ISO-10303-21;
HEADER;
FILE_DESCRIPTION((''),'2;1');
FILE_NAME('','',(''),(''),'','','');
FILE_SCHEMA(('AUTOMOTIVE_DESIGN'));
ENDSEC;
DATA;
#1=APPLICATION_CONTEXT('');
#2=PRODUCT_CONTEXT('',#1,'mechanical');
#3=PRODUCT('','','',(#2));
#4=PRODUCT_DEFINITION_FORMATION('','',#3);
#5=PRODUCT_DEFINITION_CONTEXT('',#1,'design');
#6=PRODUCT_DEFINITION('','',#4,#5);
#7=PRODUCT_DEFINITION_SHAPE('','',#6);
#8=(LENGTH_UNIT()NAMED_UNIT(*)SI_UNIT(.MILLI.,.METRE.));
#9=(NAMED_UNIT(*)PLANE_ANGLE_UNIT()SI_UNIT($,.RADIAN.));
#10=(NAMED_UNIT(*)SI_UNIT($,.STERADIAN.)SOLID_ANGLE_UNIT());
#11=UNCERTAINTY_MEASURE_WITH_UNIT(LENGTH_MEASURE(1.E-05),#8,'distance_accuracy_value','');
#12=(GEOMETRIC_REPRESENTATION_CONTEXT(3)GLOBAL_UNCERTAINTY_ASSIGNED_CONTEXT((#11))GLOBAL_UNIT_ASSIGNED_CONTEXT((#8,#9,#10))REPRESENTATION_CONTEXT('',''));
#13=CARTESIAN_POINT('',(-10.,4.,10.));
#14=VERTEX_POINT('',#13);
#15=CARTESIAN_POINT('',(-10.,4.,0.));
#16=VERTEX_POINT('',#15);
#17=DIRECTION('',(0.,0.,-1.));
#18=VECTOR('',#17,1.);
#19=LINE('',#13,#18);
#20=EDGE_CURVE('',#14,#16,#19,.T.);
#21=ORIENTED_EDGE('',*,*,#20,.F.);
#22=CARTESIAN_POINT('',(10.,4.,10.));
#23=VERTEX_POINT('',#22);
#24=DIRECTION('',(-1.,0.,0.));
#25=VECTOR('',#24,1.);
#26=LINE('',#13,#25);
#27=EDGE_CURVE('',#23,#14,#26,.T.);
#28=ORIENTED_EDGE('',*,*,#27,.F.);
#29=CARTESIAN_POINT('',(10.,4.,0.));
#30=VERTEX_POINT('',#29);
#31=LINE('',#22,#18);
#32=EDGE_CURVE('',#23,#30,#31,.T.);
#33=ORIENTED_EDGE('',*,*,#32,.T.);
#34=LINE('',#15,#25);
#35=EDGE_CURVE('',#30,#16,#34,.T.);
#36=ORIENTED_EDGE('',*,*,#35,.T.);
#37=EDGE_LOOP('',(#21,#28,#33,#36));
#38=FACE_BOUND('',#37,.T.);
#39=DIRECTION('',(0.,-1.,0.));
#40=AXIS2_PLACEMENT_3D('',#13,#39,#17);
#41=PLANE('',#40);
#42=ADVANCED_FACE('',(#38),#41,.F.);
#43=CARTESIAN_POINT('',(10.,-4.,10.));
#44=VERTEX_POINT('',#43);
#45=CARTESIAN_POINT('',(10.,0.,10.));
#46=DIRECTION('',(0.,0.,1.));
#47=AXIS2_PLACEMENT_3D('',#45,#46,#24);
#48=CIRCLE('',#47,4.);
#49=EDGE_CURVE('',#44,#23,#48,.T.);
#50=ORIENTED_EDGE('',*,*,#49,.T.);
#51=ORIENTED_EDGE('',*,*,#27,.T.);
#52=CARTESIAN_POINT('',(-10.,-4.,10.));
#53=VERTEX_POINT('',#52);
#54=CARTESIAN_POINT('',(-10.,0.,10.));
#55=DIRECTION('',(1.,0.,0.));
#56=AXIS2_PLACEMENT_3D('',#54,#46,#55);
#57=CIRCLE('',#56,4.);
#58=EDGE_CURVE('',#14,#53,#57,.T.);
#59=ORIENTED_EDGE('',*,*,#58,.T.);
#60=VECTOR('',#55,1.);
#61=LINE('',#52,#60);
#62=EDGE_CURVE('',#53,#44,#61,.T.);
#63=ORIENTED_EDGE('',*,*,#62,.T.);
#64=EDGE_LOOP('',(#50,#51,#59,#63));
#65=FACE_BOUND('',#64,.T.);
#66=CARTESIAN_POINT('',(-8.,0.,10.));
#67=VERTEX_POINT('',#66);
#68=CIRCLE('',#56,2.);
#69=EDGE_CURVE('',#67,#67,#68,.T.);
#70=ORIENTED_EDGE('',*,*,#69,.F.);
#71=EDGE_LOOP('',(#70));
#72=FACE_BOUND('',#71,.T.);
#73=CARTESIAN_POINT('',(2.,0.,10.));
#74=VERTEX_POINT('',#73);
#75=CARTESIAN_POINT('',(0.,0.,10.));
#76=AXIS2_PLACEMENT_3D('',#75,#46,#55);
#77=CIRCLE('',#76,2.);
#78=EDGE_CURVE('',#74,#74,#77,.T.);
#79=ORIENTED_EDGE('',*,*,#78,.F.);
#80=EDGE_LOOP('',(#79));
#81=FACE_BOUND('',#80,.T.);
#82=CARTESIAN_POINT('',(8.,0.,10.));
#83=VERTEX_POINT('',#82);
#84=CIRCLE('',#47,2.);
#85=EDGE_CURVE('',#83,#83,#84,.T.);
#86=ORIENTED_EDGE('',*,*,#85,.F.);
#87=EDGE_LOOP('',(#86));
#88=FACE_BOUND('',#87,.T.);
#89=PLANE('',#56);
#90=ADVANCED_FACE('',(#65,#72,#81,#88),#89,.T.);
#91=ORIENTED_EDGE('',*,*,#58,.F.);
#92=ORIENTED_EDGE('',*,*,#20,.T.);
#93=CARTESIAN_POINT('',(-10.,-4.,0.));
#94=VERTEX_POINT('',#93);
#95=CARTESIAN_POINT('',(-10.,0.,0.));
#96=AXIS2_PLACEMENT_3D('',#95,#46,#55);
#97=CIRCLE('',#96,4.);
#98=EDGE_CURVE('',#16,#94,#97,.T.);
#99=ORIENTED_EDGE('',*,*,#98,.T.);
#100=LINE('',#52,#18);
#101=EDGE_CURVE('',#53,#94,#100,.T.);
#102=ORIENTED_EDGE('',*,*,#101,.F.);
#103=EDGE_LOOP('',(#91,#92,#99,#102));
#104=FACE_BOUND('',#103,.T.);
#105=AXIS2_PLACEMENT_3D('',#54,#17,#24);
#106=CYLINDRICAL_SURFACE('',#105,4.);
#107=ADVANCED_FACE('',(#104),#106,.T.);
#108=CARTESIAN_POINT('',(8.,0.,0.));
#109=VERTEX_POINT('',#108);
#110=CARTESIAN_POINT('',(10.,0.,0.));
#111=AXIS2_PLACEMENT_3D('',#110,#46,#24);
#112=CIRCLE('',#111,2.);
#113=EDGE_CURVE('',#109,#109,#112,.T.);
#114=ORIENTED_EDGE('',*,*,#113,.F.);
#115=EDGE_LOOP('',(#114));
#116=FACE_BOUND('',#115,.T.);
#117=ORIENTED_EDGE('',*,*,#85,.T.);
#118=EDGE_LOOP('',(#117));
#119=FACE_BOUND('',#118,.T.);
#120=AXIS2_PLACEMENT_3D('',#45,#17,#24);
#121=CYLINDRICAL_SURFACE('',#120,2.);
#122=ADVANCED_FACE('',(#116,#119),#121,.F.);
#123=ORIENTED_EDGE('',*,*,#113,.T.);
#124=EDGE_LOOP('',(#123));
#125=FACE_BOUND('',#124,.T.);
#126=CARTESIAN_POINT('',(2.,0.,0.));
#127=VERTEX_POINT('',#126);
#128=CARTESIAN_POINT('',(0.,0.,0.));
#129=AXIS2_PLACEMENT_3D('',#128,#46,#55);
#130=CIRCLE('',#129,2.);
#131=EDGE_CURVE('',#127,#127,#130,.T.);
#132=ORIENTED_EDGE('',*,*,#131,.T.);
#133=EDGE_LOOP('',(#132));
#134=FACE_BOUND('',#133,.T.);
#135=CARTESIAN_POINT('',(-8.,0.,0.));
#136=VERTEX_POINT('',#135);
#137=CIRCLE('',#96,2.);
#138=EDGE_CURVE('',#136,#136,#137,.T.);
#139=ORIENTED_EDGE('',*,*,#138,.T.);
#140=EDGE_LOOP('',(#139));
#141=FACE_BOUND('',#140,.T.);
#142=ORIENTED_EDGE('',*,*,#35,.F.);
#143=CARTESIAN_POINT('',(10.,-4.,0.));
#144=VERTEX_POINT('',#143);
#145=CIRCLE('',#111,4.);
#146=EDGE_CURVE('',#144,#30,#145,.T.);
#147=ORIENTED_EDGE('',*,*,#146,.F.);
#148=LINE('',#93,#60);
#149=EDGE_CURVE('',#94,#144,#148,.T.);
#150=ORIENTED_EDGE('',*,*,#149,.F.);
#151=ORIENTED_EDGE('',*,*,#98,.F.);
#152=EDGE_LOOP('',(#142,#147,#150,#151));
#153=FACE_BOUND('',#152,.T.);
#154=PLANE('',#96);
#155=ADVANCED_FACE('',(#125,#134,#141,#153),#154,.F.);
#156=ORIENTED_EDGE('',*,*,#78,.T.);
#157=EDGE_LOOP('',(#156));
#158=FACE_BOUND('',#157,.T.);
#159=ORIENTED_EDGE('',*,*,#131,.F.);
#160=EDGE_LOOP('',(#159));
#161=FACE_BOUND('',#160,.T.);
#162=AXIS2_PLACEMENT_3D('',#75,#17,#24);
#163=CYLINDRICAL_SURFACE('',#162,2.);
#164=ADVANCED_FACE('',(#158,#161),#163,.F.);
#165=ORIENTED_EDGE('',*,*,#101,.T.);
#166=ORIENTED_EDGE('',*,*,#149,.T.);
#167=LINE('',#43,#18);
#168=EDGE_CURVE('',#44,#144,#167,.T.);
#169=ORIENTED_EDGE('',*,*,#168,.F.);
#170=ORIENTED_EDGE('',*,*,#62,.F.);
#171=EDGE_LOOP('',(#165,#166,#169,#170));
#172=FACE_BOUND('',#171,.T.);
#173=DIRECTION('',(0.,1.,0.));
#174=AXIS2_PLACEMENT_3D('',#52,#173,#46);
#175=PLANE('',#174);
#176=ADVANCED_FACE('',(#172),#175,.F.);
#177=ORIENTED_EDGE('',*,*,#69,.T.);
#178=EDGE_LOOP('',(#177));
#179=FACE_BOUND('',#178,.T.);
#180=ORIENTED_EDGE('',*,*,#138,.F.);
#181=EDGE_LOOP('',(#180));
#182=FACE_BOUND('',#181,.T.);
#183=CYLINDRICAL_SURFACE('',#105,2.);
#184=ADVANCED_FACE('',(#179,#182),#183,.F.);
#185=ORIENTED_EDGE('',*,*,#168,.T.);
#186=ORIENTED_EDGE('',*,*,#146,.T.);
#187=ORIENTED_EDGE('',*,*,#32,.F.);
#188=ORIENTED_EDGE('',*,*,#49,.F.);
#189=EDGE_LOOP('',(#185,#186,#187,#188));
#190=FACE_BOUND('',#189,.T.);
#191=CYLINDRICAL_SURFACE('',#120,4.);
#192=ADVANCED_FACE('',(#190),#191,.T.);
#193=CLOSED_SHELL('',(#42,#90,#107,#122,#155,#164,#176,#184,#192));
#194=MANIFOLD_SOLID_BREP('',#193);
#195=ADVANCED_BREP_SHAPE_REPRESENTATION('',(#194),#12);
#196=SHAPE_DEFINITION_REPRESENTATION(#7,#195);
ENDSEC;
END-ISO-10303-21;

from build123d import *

# Parameters (mm, degrees)
SKETCH_1_R      = 2
EXTRUDE_1_DEPTH = 10


with BuildPart() as part:
    # 草图1 → 凸台-拉伸1 (new body)
    with BuildSketch(Plane.XY):
        with BuildLine():
            Line((-10, 4), (10, 4))
            ThreePointArc((10, 4), (14, 0), (10, -4))
            Line((10, -4), (-10, -4))
            ThreePointArc((-10, -4), (-14, 0), (-10, 4))
        make_face()
        with Locations((-10, 0)):
            Circle(SKETCH_1_R, mode=Mode.SUBTRACT)
        with Locations(Location((10, 0, 0), (0, 0, 180))):
            Circle(SKETCH_1_R, mode=Mode.SUBTRACT)
        Circle(SKETCH_1_R, mode=Mode.SUBTRACT)
    extrude(amount=EXTRUDE_1_DEPTH)


solid = part.part
